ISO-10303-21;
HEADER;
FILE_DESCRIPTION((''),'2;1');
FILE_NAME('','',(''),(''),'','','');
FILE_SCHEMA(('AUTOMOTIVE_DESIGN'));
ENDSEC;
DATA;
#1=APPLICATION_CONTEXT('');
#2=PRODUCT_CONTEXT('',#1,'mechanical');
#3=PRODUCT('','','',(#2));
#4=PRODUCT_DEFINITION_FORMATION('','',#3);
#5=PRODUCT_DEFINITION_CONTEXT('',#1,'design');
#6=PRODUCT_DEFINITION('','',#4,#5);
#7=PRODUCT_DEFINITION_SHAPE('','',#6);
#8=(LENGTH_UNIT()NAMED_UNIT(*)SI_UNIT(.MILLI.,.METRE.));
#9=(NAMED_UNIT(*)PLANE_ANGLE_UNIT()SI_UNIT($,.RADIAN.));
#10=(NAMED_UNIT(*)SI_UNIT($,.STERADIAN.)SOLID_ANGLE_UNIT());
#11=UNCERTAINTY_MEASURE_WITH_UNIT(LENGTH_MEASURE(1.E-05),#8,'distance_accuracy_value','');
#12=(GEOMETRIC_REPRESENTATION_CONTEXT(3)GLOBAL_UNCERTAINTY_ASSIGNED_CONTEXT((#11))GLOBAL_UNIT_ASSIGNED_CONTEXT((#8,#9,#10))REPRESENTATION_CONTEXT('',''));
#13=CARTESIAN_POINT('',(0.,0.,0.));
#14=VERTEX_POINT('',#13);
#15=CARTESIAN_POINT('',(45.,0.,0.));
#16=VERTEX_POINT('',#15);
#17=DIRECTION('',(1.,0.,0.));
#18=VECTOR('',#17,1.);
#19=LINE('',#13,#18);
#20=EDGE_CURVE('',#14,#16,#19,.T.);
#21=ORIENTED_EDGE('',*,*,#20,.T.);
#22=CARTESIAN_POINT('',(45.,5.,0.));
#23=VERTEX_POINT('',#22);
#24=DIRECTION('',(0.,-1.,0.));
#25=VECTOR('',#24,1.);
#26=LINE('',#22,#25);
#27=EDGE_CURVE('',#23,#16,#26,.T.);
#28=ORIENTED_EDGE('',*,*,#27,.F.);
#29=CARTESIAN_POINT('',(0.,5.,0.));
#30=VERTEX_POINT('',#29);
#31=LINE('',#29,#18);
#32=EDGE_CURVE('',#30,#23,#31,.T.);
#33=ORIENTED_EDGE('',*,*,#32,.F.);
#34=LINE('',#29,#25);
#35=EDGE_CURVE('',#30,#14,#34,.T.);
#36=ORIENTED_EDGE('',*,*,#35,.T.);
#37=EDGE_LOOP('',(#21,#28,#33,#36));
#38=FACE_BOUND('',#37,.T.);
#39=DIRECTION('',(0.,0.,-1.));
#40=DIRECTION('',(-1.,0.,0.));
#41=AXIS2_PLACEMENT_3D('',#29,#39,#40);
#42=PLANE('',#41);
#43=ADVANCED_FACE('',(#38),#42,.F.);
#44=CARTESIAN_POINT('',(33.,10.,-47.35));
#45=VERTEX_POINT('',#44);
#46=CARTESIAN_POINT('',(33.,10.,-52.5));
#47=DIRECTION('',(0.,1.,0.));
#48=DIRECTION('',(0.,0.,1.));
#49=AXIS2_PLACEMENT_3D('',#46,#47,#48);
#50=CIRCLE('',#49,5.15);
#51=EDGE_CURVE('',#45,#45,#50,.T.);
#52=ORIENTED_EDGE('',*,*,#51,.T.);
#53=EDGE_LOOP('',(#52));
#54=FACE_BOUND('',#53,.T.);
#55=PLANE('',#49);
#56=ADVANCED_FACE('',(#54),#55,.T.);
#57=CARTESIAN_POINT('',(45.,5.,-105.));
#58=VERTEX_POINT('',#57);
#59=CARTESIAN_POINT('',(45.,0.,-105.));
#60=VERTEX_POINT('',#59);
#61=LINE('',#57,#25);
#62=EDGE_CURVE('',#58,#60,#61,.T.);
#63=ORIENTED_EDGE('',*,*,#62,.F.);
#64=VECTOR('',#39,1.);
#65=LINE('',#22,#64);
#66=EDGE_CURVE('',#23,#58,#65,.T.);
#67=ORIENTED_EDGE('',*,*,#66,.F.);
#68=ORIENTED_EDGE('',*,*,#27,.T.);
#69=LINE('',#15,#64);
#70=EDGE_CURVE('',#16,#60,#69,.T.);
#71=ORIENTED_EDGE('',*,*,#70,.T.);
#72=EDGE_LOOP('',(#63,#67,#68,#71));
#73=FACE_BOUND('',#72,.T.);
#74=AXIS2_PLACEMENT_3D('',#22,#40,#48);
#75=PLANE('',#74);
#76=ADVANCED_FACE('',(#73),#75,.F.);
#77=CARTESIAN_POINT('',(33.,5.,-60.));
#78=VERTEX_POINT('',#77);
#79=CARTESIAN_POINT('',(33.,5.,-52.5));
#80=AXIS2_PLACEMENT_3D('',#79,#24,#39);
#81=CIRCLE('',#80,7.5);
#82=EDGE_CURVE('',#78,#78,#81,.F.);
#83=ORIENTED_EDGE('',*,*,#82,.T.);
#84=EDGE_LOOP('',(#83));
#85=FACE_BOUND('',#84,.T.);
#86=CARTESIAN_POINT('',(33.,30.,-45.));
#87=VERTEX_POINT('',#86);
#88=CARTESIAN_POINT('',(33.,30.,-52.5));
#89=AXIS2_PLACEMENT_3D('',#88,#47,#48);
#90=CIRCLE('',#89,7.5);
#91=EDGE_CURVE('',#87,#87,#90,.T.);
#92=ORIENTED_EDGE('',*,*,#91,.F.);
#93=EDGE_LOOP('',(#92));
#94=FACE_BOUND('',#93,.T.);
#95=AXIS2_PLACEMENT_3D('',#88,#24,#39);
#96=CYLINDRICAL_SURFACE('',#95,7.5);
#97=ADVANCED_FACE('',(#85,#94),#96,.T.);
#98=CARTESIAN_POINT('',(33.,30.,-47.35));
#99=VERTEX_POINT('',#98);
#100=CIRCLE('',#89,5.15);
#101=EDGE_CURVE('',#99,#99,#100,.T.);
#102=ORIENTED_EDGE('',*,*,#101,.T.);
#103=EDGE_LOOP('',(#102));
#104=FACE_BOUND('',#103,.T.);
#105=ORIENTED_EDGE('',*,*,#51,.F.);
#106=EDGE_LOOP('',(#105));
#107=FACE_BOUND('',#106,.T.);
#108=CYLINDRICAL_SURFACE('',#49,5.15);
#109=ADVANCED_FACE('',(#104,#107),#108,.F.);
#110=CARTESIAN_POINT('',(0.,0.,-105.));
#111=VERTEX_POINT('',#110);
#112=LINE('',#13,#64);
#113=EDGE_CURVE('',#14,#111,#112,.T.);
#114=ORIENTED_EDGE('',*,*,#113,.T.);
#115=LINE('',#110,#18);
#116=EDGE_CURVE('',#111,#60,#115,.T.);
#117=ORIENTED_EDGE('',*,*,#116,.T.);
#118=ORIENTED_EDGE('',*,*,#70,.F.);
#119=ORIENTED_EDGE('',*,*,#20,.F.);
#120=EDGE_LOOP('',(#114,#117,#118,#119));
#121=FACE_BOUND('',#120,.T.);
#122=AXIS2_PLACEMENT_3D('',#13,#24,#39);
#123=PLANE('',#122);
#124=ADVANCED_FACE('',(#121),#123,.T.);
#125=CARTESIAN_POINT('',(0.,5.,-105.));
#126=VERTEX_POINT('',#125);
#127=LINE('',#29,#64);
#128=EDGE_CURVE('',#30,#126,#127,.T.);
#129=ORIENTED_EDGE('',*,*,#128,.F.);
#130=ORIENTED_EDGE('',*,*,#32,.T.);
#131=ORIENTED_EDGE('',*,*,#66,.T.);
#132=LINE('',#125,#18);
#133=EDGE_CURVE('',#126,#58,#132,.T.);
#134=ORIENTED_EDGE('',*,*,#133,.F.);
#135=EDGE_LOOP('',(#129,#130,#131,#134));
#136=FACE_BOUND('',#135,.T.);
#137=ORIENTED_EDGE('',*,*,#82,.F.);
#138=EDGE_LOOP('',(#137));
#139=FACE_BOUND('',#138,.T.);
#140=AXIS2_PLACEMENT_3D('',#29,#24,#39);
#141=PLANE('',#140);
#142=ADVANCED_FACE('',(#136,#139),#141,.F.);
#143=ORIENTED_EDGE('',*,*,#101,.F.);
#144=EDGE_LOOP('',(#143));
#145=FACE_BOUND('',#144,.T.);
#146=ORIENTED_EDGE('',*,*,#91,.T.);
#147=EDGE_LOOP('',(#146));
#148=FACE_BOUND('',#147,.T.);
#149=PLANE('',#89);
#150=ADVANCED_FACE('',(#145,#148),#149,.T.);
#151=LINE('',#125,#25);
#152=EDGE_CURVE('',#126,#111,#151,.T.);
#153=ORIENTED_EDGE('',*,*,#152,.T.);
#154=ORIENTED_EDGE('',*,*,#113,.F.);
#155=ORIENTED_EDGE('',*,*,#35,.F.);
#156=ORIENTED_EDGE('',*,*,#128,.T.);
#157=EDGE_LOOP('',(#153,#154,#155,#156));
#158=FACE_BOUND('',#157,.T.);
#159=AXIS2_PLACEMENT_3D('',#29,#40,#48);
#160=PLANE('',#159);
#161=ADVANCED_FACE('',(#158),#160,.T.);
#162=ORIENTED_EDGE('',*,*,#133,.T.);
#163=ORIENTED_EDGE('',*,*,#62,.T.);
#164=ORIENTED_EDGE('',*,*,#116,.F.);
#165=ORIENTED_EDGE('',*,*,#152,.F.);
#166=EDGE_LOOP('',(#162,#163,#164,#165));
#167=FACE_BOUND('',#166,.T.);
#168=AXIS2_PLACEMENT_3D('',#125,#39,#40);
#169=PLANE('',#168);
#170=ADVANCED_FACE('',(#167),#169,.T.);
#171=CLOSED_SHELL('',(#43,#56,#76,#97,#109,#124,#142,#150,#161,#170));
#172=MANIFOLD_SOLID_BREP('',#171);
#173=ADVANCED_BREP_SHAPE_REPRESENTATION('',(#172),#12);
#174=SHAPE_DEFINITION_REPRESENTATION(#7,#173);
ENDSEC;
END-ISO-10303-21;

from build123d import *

# Parameters (mm, degrees)
SKETCH1_W           = 45
SKETCH1_H           = 105
BOSS_EXTRUDE3_DEPTH = 5
SKETCH3_R           = 7.5
BOSS_EXTRUDE4_DEPTH = 25
SKETCH4_R           = 5.15
CUT_EXTRUDE1_DEPTH  = 20


with BuildPart() as part:
    # Sketch1 → Boss-Extrude3 (new body)
    with BuildSketch(Plane(origin=(0, 0, 0), x_dir=(1, 0, 0), z_dir=(0, 1, 0))):
        with Locations((22.5, 52.5)):
            Rectangle(SKETCH1_W, SKETCH1_H)
    extrude(amount=BOSS_EXTRUDE3_DEPTH)

    # Sketch3 → Boss-Extrude4 (add)
    with BuildSketch(Plane(origin=(0, 5, 0), x_dir=(1, 0, 0), z_dir=(0, 1, 0))):
        with Locations((33, 52.5)):
            Circle(SKETCH3_R)
    extrude(amount=BOSS_EXTRUDE4_DEPTH)

    # Sketch4 → Cut-Extrude1 (cut)
    with BuildSketch(Plane(origin=(0, 30, 0), x_dir=(1, 0, 0), z_dir=(0, 1, 0))):
        with Locations((33, 52.5)):
            Circle(SKETCH4_R)
    extrude(amount=-CUT_EXTRUDE1_DEPTH, mode=Mode.SUBTRACT)


solid = part.part
